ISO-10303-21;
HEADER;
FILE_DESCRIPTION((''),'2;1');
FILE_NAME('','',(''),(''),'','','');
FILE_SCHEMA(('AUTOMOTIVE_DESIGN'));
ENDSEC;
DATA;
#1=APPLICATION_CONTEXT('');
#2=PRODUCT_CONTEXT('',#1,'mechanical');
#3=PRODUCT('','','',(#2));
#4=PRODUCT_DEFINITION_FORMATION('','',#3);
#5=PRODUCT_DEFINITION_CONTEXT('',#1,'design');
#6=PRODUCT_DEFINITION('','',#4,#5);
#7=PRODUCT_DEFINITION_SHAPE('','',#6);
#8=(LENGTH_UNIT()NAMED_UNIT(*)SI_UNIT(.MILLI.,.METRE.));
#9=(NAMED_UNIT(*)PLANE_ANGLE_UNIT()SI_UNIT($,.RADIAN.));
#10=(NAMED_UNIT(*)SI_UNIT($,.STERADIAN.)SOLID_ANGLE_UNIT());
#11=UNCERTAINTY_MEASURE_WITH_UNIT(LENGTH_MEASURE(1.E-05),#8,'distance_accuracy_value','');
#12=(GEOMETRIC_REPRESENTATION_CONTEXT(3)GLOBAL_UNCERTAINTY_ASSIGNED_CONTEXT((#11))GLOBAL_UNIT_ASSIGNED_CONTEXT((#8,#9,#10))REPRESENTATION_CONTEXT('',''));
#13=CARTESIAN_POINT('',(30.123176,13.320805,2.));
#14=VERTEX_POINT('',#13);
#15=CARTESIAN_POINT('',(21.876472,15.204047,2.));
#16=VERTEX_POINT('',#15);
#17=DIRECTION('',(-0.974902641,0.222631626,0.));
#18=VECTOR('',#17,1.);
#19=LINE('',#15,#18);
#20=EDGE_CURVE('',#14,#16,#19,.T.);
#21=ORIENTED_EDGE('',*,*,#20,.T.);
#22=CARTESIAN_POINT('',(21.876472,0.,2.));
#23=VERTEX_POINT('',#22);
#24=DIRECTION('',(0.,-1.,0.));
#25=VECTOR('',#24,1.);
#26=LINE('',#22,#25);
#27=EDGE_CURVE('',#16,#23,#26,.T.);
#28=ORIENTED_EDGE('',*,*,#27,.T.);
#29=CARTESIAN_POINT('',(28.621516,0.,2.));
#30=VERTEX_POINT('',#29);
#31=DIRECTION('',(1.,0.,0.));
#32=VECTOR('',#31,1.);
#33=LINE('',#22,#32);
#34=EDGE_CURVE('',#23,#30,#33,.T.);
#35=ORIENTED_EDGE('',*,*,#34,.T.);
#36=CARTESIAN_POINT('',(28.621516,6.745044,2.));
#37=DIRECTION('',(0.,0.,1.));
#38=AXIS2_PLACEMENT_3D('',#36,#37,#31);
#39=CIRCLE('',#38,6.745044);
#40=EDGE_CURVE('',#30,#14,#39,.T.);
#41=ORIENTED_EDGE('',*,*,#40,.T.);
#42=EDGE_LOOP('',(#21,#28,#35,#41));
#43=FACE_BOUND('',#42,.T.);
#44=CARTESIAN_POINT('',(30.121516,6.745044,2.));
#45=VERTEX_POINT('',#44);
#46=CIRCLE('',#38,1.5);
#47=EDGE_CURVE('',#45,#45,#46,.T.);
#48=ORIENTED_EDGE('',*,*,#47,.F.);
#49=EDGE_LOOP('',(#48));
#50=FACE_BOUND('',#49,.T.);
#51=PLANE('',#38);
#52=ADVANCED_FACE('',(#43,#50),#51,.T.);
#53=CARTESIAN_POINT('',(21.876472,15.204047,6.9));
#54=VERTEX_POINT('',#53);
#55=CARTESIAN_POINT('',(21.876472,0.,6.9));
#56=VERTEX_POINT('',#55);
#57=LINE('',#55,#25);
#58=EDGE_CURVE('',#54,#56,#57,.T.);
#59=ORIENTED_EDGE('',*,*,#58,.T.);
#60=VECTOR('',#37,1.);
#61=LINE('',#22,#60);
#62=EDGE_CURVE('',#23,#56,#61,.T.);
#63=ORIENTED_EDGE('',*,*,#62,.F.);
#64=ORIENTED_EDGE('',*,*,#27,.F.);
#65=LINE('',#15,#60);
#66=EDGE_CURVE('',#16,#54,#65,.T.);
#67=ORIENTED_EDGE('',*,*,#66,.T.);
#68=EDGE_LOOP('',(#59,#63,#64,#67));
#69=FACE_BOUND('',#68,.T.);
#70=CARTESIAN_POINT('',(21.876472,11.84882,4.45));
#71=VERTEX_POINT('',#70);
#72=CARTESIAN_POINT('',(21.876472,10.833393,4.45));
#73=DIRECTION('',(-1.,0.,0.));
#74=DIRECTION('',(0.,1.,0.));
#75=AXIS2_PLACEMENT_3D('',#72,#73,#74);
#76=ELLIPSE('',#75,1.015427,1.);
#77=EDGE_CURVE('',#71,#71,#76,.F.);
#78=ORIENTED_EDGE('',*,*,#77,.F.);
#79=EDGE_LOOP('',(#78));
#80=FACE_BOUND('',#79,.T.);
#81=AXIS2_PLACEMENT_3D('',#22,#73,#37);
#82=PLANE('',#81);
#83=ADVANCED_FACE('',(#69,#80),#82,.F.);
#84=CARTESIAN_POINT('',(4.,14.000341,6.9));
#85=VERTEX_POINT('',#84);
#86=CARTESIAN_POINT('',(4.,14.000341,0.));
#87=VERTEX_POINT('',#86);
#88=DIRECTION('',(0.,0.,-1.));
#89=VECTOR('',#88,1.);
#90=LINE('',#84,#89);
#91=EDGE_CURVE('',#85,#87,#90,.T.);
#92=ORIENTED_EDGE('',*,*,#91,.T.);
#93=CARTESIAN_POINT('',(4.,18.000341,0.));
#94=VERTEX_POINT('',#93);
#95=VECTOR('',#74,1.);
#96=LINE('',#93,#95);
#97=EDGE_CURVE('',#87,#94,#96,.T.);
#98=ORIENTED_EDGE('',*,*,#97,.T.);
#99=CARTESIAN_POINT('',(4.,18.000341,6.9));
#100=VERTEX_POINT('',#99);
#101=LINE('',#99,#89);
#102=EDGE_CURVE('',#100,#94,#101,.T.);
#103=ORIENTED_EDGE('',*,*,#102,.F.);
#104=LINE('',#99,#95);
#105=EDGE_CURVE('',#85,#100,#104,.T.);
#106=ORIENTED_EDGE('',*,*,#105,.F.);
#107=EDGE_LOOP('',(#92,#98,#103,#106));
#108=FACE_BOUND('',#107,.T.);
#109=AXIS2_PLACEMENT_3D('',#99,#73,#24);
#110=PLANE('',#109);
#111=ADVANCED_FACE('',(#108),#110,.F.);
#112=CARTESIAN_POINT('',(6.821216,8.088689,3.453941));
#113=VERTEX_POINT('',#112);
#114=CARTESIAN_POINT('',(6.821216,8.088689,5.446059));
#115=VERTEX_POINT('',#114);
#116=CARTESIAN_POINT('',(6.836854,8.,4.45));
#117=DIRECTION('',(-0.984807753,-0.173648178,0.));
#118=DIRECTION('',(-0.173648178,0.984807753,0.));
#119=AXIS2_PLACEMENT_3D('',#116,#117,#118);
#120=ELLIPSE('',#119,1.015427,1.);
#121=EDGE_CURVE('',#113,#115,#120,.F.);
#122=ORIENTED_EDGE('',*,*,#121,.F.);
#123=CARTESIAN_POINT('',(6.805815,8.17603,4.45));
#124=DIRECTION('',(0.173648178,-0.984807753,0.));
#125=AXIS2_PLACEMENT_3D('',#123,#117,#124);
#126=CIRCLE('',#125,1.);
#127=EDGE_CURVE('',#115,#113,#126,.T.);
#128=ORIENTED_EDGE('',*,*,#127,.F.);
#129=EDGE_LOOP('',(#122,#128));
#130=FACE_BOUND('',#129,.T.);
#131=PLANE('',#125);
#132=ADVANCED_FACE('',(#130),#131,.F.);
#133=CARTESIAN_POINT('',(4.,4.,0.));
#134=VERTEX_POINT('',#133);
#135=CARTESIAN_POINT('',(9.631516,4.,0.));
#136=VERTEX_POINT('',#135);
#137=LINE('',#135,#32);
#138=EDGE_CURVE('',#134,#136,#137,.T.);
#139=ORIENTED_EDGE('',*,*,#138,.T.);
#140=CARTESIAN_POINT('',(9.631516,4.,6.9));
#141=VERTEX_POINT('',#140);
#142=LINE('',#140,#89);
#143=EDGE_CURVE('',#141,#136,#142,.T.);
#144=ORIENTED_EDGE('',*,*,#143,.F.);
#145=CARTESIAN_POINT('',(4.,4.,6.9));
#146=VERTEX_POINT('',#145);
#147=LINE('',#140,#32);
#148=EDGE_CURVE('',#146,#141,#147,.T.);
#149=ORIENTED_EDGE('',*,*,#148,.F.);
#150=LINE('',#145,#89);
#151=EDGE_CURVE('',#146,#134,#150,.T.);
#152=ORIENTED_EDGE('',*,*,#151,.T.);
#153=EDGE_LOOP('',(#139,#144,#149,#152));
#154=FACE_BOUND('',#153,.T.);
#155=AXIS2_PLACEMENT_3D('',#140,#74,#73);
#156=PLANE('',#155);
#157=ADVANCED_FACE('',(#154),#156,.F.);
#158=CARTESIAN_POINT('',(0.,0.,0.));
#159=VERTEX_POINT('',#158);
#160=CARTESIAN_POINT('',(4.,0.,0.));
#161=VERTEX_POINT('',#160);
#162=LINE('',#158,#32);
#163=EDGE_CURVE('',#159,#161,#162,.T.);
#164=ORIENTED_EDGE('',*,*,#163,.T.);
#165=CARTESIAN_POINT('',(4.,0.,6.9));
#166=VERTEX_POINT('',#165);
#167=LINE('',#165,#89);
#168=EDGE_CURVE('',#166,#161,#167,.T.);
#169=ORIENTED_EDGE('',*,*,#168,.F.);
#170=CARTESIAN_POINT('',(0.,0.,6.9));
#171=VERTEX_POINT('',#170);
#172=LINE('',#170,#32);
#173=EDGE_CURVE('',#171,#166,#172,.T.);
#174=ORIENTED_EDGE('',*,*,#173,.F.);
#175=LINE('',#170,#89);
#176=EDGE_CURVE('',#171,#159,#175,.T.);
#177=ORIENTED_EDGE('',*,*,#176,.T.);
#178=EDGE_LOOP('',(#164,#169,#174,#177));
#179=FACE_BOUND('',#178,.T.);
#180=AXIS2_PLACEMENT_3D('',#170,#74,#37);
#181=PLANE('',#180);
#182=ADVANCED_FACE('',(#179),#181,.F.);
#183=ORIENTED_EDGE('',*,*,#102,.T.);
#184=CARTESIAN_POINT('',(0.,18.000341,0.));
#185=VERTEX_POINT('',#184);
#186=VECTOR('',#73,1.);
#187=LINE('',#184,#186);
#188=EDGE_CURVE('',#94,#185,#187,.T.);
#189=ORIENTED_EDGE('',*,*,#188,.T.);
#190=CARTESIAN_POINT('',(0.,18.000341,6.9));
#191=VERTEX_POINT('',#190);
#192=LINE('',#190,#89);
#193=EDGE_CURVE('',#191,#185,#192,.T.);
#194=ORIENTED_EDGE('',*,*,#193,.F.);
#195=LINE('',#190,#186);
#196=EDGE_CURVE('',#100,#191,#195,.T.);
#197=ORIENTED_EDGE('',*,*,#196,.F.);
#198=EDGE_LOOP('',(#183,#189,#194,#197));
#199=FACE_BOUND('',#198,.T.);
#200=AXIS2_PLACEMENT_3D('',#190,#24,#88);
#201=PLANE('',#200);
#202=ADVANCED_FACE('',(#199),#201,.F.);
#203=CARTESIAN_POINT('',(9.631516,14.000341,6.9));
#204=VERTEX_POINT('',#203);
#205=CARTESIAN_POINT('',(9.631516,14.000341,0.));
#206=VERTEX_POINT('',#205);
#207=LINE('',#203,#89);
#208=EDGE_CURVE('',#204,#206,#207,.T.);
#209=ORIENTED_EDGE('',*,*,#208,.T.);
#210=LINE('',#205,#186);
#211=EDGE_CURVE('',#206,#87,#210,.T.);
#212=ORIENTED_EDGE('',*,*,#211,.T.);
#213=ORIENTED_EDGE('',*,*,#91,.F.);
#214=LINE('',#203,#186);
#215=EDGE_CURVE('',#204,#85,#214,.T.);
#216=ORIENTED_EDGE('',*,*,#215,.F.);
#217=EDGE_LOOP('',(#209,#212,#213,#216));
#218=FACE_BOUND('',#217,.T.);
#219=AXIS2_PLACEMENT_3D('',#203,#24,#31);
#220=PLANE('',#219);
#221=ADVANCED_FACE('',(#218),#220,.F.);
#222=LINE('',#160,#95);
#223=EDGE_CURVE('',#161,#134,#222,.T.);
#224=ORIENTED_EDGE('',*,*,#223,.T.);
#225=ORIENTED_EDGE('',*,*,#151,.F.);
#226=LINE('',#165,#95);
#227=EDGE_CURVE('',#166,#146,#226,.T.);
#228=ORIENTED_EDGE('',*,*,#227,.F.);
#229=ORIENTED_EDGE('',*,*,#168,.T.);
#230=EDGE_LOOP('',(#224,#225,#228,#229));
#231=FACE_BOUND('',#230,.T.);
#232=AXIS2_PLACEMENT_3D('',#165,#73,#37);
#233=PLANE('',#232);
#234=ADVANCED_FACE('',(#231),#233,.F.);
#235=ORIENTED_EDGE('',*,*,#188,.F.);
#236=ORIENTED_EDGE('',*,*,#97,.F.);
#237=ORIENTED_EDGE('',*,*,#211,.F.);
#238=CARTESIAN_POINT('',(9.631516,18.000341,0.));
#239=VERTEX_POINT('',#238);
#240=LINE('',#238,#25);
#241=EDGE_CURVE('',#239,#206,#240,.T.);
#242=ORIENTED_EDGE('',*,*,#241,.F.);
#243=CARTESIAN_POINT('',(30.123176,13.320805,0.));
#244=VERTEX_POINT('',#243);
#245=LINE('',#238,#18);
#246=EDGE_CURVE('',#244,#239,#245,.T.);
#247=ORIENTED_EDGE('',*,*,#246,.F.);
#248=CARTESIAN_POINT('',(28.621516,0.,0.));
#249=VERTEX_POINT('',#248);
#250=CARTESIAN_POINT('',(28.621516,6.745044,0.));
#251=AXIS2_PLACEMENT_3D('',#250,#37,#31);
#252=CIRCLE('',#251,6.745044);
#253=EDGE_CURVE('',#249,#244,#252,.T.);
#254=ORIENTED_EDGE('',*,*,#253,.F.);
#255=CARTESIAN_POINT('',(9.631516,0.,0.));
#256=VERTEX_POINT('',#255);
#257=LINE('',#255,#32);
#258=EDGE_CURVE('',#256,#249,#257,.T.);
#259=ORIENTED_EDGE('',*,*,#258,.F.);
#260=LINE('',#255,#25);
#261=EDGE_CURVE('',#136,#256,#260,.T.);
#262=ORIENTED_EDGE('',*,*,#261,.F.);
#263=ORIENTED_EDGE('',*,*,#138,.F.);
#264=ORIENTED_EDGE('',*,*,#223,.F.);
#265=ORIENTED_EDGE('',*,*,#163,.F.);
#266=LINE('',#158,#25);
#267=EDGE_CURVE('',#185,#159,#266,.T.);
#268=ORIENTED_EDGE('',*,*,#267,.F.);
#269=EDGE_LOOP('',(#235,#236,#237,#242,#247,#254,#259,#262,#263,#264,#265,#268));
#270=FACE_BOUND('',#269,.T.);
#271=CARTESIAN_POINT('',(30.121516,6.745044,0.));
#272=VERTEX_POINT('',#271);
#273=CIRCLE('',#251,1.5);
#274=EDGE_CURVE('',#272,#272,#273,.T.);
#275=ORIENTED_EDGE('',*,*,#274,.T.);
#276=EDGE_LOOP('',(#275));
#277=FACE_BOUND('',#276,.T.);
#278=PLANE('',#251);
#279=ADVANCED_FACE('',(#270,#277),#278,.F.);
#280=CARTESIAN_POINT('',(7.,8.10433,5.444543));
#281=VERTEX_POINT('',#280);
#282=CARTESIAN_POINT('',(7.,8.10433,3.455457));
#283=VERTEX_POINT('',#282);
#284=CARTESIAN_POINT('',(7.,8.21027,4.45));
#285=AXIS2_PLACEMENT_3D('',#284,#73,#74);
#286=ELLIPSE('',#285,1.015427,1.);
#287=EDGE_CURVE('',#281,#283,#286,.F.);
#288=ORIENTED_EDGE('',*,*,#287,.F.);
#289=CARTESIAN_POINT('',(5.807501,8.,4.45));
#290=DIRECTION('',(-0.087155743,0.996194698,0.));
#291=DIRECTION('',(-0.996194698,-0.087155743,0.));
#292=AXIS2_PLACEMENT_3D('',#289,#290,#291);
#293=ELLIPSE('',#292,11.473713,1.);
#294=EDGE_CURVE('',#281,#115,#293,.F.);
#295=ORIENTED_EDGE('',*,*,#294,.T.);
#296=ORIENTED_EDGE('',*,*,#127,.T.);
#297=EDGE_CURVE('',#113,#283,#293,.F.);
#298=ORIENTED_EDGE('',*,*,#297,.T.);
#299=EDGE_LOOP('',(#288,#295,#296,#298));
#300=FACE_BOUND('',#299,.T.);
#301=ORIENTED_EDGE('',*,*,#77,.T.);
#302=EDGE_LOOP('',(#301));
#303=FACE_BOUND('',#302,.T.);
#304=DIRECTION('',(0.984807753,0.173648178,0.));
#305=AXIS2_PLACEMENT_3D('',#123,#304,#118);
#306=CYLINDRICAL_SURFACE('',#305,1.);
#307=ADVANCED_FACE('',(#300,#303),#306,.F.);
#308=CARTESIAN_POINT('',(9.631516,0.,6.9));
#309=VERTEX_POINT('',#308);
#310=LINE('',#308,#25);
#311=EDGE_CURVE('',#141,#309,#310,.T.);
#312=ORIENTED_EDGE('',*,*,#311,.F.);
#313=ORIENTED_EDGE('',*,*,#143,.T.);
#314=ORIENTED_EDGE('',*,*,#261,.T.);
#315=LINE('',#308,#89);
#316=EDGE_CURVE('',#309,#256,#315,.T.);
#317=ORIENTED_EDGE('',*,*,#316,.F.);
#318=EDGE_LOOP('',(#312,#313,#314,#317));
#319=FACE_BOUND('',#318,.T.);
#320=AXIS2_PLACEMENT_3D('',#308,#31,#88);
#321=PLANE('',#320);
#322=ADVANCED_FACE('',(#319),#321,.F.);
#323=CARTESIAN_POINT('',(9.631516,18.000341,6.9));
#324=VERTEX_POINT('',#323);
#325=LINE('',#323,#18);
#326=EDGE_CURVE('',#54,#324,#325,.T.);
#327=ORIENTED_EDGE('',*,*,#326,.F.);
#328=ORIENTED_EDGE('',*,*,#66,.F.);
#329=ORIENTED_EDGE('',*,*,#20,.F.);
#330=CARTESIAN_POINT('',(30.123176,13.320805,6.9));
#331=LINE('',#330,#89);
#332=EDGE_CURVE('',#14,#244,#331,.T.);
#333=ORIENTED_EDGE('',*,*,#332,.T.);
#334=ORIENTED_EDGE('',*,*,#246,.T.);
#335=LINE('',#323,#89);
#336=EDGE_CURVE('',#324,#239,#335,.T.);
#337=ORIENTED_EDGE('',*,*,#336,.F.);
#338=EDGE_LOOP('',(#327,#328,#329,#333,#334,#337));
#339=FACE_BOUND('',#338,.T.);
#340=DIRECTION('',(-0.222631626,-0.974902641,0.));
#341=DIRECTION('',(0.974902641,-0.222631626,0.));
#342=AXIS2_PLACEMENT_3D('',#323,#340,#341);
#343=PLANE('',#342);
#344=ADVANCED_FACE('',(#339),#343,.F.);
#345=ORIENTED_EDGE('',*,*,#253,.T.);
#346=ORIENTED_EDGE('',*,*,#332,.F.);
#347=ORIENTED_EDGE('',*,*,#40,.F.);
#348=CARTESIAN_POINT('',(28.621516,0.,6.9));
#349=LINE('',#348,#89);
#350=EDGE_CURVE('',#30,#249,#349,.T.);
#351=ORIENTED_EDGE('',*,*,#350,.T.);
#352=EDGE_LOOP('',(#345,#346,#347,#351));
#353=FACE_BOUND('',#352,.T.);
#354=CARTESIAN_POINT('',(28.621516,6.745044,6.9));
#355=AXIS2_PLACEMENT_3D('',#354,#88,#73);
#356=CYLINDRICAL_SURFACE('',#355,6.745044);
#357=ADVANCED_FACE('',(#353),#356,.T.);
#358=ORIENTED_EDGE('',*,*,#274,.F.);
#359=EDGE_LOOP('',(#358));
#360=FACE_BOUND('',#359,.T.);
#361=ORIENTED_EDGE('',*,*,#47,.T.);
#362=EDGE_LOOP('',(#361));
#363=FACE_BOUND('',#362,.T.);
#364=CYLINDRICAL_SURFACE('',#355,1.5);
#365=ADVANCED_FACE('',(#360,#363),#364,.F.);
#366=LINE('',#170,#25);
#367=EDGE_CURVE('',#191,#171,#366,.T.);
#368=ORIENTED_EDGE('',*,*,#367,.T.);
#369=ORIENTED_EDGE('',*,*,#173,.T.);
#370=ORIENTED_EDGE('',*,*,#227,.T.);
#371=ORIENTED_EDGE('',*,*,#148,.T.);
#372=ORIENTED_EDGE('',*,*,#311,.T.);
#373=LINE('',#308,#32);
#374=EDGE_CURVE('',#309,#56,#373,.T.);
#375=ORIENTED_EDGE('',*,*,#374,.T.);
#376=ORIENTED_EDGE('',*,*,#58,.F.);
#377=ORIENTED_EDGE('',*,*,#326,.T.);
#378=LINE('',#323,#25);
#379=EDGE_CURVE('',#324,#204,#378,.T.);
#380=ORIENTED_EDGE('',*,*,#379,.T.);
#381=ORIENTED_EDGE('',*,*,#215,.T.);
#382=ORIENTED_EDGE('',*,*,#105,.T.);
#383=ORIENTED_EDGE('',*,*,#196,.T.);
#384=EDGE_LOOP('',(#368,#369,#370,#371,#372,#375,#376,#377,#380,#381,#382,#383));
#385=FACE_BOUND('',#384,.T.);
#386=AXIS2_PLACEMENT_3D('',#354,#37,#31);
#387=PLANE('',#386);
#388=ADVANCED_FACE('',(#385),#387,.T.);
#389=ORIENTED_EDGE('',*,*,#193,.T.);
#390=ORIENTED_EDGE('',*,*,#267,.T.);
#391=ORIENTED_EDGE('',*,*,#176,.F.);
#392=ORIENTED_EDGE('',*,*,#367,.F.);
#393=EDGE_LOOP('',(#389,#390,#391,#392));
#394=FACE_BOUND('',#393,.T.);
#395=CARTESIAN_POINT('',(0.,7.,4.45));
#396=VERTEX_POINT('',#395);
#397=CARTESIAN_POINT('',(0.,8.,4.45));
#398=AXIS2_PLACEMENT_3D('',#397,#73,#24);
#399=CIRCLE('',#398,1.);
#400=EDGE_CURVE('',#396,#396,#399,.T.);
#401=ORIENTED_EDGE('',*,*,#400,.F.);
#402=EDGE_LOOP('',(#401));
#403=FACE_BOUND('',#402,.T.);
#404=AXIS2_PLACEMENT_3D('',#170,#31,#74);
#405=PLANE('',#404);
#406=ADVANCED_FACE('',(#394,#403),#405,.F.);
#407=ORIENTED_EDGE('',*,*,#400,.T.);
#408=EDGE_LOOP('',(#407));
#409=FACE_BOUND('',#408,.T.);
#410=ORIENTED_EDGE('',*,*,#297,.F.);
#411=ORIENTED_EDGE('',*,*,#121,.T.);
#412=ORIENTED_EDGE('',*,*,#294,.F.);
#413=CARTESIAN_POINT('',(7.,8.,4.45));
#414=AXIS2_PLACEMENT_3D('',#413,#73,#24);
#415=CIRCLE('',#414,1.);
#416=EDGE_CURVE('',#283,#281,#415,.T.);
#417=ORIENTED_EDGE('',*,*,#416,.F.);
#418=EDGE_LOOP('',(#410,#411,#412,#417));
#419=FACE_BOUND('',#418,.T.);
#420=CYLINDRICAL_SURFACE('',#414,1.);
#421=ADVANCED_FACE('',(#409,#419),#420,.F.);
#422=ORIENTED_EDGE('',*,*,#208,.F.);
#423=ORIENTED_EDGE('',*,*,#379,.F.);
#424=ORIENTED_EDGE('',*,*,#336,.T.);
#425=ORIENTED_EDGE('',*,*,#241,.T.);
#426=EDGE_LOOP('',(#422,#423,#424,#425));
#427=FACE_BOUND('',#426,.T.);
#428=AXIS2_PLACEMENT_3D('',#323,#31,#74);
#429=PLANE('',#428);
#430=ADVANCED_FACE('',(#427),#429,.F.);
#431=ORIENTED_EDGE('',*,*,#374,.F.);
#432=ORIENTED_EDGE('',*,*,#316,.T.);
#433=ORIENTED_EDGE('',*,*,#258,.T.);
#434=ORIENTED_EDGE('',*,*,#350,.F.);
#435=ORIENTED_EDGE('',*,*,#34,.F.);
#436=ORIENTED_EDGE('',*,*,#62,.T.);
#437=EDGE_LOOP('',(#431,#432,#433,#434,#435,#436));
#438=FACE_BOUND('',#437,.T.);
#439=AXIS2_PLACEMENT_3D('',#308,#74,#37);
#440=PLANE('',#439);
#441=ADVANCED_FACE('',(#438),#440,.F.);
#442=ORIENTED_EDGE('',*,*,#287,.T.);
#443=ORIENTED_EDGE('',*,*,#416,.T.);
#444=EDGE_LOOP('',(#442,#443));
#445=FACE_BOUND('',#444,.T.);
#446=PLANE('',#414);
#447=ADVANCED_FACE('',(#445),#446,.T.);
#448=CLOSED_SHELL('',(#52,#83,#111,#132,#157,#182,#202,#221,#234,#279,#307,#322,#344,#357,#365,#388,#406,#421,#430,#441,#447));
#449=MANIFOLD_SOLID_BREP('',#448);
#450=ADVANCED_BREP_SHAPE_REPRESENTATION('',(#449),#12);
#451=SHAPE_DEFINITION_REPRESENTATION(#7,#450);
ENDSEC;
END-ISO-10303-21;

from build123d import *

# Parameters (mm, degrees)
SKETCH1_R               = 1.5
BOSS_EXTRUDE1_DEPTH     = 6.9
CUT_EXTRUDE2_START      = -4.9
CUT_EXTRUDE2_DEPTH      = 4.9
SKETCH5_R               = 1
CUT_EXTRUDE3_DEPTH      = 7
CUT_EXTRUDE4_DEPTH      = 1
CUT_EXTRUDE4_DEPTH_BACK = 32.830268668
SKETCH7_R               = 1


with BuildPart() as part:
    # Sketch1 → Boss-Extrude1 (new body)
    with BuildSketch(Plane.XY):
        with BuildLine():
            Line((0, 0), (0, 18.000341084))
            Line((0, 18.000341084), (4, 18.000341084))
            Line((4, 18.000341084), (4, 14.000341084))
            Line((4, 14.000341084), (9.631516349, 14.000341084))
            Line((9.631516349, 14.000341084), (9.631516349, 18.000341084))
            Line((9.631516349, 18.000341084), (30.123176491, 13.320805491))
            ThreePointArc((30.123176491, 13.320805491), (35.324106187, 5.989458303), (28.621516349, 0))
            Line((28.621516349, 0), (9.631516349, 0))
            Line((9.631516349, 0), (9.631516349, 4))
            Line((9.631516349, 4), (4, 4))
            Line((4, 4), (4, 0))
            Line((4, 0), (0, 0))
        make_face()
        with Locations((28.621516349, 6.745044143)):
            Circle(SKETCH1_R, mode=Mode.SUBTRACT)
    extrude(amount=BOSS_EXTRUDE1_DEPTH)

    # Sketch4 → Cut-Extrude2 (cut)
    with BuildSketch(Plane.XY.offset(6.9).offset(CUT_EXTRUDE2_START)):
        with BuildLine():
            Line((21.876472206, 0), (21.876472206, 15.204047061))
            Line((21.876472206, 15.204047061), (30.123176491, 13.320805491))
            ThreePointArc((30.123176491, 13.320805491), (35.324106187, 5.989458303), (28.621516349, 0))
            Line((28.621516349, 0), (21.876472206, 0))
        make_face()
    extrude(amount=CUT_EXTRUDE2_DEPTH, mode=Mode.SUBTRACT)

    # Sketch5 → Cut-Extrude3 (cut)
    with BuildSketch(Plane.ZY):
        with Locations((4.45, 8)):
            Circle(SKETCH5_R)
    extrude(amount=-CUT_EXTRUDE3_DEPTH, mode=Mode.SUBTRACT)

    # Sketch7 → Cut-Extrude4 (cut, two sides: drawn at the far end of the back side and taken through both)
    with BuildSketch(Plane(origin=(8.983585976, 1.584048591, 0), x_dir=(0, 0, 1), z_dir=(-0.9848077530122079, -0.17364817766693139, 0)).offset(-CUT_EXTRUDE4_DEPTH_BACK)):
        with Locations((4.45, 6.87)):
            Circle(SKETCH7_R)
    extrude(amount=CUT_EXTRUDE4_DEPTH + CUT_EXTRUDE4_DEPTH_BACK, mode=Mode.SUBTRACT)


solid = part.part
